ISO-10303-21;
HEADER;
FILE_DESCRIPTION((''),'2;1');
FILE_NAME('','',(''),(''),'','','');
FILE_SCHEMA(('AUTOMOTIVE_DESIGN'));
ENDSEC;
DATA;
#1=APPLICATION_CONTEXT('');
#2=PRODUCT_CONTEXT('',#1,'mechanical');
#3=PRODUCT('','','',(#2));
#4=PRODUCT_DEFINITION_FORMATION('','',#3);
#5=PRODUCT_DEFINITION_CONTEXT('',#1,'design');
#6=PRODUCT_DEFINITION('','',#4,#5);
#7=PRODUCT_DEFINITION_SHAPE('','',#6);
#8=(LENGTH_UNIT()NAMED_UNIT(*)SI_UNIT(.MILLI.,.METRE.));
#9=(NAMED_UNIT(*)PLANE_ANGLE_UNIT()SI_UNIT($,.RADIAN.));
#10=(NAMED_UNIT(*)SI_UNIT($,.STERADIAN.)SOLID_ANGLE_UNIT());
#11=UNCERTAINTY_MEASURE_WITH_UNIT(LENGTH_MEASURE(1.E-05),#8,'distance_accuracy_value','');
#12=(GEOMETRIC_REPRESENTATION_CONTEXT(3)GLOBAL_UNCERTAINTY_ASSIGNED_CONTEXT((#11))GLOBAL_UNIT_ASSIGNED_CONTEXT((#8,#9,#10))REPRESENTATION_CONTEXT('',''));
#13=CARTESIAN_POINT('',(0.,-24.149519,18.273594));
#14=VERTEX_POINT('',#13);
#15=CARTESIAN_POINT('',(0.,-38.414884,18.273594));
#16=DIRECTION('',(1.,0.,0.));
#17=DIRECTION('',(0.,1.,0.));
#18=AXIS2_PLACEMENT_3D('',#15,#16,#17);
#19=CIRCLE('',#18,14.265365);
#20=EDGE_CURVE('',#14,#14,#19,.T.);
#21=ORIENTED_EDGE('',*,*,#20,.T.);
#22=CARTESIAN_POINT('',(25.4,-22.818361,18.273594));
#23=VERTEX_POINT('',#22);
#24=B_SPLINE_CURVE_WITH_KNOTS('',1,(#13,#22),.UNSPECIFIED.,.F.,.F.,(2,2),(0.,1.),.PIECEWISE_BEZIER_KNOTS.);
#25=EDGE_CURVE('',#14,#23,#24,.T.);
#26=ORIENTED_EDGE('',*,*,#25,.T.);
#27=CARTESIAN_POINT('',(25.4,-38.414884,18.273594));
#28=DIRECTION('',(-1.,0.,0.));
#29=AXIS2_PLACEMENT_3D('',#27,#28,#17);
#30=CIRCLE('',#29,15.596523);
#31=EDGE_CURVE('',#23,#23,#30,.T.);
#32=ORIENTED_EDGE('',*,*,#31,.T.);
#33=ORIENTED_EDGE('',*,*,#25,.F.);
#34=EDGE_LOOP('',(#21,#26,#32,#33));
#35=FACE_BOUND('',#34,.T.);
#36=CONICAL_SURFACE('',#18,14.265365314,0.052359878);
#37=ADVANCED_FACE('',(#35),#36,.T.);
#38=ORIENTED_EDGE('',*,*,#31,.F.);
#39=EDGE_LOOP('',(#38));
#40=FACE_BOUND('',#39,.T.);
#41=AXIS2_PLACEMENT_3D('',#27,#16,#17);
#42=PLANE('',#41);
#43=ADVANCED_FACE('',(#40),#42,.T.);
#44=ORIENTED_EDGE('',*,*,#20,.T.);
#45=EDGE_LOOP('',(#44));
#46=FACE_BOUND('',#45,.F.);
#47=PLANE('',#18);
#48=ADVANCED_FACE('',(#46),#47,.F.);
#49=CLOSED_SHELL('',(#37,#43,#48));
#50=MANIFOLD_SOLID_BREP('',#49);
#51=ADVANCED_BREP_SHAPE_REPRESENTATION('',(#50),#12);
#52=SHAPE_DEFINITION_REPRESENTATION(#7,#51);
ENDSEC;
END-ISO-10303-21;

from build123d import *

# Parameters (mm, degrees)
F0_R     = 14.2653653137
F1_DEPTH = 25.4
F1_TAPER = -3


with BuildPart() as f1:
    # F0 (on Right) → F1 (new body)
    with BuildSketch(Plane.YZ):
        with Locations((-38.4148843586, 18.2735938579)):
            Circle(F0_R)
    extrude(amount=F1_DEPTH, taper=F1_TAPER)


solid = f1.part
